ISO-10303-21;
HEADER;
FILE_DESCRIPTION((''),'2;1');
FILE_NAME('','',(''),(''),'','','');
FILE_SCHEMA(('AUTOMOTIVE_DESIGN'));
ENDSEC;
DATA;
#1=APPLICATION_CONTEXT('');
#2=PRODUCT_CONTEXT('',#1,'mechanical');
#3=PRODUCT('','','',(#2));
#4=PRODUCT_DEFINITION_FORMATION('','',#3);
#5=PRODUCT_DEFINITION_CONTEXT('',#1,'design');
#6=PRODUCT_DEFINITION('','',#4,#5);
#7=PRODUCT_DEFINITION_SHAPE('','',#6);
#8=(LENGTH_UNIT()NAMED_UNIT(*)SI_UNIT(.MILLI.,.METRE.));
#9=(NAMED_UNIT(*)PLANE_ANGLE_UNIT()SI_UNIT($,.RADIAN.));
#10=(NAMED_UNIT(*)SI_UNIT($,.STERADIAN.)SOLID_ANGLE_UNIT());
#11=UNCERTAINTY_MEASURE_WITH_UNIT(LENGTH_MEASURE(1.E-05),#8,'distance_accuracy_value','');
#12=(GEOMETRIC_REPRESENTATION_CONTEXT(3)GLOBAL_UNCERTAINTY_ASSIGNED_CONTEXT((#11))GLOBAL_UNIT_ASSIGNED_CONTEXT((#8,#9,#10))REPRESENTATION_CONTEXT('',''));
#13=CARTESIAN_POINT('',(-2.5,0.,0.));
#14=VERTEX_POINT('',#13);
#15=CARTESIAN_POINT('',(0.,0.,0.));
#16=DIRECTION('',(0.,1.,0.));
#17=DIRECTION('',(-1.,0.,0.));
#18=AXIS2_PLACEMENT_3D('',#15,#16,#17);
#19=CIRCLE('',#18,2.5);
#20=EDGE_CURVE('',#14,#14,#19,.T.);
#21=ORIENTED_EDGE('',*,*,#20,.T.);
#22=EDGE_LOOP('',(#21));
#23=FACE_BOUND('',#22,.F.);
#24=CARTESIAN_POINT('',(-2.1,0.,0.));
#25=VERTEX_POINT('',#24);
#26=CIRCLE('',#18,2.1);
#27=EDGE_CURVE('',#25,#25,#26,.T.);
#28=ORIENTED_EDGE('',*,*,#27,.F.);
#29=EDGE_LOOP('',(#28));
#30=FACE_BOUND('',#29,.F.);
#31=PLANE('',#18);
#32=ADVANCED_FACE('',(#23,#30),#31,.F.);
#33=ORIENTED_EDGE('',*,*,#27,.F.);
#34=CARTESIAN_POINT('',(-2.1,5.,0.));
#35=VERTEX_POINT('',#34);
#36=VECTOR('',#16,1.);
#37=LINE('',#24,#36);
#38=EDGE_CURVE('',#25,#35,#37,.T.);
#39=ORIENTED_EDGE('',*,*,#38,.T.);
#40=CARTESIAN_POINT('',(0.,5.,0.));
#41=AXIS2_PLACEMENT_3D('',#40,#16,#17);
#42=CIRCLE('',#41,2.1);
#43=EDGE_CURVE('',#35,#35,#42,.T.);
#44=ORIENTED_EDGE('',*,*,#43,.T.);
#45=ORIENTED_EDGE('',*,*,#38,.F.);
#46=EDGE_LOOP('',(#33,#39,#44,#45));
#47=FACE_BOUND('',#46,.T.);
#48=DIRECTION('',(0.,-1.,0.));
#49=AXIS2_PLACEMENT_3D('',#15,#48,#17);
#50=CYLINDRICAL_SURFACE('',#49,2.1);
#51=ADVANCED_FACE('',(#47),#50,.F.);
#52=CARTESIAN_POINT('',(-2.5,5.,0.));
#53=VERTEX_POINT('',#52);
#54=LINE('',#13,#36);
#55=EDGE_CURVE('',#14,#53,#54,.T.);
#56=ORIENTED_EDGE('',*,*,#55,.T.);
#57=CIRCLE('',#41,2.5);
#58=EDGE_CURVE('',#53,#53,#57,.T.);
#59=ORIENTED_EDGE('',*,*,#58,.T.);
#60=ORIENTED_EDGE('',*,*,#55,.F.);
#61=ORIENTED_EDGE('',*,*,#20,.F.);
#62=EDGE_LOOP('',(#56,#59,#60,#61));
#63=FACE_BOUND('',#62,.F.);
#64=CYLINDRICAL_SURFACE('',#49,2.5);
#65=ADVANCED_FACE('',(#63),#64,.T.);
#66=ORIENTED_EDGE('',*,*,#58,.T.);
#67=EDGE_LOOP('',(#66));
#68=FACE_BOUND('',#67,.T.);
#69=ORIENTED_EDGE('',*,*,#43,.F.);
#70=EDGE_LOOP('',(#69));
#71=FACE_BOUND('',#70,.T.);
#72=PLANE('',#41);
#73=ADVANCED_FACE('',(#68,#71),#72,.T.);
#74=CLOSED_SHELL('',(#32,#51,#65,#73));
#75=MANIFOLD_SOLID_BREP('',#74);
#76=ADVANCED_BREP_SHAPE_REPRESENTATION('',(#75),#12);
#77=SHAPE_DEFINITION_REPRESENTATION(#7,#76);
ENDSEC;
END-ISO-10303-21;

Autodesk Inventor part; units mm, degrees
ref_plane "YZ Plane" through (0, 0, 0) normal (1, 0, 0) x (0, 1, 0)
ref_plane "XZ Plane" through (0, 0, 0) normal (0, 1, 0) x (-1, 0, 0)
ref_plane "XY Plane" through (0, 0, 0) normal (0, 0, 1) x (1, 0, 0)
sketch "Эскиз1" plane through (0, 0, 0) normal (0, 1, 0) x (-1, 0, 0)
  circle A0 centre (0, 0) radius 2.5
  circle A1 centre (0, 0) radius 2.1
  dimension "d0" = 5
  dimension "d1" = 4.2
extrude "Выдавливание1" add sketch "Эскиз1" along normal blind 5
properties part number "втулка_5-4"
